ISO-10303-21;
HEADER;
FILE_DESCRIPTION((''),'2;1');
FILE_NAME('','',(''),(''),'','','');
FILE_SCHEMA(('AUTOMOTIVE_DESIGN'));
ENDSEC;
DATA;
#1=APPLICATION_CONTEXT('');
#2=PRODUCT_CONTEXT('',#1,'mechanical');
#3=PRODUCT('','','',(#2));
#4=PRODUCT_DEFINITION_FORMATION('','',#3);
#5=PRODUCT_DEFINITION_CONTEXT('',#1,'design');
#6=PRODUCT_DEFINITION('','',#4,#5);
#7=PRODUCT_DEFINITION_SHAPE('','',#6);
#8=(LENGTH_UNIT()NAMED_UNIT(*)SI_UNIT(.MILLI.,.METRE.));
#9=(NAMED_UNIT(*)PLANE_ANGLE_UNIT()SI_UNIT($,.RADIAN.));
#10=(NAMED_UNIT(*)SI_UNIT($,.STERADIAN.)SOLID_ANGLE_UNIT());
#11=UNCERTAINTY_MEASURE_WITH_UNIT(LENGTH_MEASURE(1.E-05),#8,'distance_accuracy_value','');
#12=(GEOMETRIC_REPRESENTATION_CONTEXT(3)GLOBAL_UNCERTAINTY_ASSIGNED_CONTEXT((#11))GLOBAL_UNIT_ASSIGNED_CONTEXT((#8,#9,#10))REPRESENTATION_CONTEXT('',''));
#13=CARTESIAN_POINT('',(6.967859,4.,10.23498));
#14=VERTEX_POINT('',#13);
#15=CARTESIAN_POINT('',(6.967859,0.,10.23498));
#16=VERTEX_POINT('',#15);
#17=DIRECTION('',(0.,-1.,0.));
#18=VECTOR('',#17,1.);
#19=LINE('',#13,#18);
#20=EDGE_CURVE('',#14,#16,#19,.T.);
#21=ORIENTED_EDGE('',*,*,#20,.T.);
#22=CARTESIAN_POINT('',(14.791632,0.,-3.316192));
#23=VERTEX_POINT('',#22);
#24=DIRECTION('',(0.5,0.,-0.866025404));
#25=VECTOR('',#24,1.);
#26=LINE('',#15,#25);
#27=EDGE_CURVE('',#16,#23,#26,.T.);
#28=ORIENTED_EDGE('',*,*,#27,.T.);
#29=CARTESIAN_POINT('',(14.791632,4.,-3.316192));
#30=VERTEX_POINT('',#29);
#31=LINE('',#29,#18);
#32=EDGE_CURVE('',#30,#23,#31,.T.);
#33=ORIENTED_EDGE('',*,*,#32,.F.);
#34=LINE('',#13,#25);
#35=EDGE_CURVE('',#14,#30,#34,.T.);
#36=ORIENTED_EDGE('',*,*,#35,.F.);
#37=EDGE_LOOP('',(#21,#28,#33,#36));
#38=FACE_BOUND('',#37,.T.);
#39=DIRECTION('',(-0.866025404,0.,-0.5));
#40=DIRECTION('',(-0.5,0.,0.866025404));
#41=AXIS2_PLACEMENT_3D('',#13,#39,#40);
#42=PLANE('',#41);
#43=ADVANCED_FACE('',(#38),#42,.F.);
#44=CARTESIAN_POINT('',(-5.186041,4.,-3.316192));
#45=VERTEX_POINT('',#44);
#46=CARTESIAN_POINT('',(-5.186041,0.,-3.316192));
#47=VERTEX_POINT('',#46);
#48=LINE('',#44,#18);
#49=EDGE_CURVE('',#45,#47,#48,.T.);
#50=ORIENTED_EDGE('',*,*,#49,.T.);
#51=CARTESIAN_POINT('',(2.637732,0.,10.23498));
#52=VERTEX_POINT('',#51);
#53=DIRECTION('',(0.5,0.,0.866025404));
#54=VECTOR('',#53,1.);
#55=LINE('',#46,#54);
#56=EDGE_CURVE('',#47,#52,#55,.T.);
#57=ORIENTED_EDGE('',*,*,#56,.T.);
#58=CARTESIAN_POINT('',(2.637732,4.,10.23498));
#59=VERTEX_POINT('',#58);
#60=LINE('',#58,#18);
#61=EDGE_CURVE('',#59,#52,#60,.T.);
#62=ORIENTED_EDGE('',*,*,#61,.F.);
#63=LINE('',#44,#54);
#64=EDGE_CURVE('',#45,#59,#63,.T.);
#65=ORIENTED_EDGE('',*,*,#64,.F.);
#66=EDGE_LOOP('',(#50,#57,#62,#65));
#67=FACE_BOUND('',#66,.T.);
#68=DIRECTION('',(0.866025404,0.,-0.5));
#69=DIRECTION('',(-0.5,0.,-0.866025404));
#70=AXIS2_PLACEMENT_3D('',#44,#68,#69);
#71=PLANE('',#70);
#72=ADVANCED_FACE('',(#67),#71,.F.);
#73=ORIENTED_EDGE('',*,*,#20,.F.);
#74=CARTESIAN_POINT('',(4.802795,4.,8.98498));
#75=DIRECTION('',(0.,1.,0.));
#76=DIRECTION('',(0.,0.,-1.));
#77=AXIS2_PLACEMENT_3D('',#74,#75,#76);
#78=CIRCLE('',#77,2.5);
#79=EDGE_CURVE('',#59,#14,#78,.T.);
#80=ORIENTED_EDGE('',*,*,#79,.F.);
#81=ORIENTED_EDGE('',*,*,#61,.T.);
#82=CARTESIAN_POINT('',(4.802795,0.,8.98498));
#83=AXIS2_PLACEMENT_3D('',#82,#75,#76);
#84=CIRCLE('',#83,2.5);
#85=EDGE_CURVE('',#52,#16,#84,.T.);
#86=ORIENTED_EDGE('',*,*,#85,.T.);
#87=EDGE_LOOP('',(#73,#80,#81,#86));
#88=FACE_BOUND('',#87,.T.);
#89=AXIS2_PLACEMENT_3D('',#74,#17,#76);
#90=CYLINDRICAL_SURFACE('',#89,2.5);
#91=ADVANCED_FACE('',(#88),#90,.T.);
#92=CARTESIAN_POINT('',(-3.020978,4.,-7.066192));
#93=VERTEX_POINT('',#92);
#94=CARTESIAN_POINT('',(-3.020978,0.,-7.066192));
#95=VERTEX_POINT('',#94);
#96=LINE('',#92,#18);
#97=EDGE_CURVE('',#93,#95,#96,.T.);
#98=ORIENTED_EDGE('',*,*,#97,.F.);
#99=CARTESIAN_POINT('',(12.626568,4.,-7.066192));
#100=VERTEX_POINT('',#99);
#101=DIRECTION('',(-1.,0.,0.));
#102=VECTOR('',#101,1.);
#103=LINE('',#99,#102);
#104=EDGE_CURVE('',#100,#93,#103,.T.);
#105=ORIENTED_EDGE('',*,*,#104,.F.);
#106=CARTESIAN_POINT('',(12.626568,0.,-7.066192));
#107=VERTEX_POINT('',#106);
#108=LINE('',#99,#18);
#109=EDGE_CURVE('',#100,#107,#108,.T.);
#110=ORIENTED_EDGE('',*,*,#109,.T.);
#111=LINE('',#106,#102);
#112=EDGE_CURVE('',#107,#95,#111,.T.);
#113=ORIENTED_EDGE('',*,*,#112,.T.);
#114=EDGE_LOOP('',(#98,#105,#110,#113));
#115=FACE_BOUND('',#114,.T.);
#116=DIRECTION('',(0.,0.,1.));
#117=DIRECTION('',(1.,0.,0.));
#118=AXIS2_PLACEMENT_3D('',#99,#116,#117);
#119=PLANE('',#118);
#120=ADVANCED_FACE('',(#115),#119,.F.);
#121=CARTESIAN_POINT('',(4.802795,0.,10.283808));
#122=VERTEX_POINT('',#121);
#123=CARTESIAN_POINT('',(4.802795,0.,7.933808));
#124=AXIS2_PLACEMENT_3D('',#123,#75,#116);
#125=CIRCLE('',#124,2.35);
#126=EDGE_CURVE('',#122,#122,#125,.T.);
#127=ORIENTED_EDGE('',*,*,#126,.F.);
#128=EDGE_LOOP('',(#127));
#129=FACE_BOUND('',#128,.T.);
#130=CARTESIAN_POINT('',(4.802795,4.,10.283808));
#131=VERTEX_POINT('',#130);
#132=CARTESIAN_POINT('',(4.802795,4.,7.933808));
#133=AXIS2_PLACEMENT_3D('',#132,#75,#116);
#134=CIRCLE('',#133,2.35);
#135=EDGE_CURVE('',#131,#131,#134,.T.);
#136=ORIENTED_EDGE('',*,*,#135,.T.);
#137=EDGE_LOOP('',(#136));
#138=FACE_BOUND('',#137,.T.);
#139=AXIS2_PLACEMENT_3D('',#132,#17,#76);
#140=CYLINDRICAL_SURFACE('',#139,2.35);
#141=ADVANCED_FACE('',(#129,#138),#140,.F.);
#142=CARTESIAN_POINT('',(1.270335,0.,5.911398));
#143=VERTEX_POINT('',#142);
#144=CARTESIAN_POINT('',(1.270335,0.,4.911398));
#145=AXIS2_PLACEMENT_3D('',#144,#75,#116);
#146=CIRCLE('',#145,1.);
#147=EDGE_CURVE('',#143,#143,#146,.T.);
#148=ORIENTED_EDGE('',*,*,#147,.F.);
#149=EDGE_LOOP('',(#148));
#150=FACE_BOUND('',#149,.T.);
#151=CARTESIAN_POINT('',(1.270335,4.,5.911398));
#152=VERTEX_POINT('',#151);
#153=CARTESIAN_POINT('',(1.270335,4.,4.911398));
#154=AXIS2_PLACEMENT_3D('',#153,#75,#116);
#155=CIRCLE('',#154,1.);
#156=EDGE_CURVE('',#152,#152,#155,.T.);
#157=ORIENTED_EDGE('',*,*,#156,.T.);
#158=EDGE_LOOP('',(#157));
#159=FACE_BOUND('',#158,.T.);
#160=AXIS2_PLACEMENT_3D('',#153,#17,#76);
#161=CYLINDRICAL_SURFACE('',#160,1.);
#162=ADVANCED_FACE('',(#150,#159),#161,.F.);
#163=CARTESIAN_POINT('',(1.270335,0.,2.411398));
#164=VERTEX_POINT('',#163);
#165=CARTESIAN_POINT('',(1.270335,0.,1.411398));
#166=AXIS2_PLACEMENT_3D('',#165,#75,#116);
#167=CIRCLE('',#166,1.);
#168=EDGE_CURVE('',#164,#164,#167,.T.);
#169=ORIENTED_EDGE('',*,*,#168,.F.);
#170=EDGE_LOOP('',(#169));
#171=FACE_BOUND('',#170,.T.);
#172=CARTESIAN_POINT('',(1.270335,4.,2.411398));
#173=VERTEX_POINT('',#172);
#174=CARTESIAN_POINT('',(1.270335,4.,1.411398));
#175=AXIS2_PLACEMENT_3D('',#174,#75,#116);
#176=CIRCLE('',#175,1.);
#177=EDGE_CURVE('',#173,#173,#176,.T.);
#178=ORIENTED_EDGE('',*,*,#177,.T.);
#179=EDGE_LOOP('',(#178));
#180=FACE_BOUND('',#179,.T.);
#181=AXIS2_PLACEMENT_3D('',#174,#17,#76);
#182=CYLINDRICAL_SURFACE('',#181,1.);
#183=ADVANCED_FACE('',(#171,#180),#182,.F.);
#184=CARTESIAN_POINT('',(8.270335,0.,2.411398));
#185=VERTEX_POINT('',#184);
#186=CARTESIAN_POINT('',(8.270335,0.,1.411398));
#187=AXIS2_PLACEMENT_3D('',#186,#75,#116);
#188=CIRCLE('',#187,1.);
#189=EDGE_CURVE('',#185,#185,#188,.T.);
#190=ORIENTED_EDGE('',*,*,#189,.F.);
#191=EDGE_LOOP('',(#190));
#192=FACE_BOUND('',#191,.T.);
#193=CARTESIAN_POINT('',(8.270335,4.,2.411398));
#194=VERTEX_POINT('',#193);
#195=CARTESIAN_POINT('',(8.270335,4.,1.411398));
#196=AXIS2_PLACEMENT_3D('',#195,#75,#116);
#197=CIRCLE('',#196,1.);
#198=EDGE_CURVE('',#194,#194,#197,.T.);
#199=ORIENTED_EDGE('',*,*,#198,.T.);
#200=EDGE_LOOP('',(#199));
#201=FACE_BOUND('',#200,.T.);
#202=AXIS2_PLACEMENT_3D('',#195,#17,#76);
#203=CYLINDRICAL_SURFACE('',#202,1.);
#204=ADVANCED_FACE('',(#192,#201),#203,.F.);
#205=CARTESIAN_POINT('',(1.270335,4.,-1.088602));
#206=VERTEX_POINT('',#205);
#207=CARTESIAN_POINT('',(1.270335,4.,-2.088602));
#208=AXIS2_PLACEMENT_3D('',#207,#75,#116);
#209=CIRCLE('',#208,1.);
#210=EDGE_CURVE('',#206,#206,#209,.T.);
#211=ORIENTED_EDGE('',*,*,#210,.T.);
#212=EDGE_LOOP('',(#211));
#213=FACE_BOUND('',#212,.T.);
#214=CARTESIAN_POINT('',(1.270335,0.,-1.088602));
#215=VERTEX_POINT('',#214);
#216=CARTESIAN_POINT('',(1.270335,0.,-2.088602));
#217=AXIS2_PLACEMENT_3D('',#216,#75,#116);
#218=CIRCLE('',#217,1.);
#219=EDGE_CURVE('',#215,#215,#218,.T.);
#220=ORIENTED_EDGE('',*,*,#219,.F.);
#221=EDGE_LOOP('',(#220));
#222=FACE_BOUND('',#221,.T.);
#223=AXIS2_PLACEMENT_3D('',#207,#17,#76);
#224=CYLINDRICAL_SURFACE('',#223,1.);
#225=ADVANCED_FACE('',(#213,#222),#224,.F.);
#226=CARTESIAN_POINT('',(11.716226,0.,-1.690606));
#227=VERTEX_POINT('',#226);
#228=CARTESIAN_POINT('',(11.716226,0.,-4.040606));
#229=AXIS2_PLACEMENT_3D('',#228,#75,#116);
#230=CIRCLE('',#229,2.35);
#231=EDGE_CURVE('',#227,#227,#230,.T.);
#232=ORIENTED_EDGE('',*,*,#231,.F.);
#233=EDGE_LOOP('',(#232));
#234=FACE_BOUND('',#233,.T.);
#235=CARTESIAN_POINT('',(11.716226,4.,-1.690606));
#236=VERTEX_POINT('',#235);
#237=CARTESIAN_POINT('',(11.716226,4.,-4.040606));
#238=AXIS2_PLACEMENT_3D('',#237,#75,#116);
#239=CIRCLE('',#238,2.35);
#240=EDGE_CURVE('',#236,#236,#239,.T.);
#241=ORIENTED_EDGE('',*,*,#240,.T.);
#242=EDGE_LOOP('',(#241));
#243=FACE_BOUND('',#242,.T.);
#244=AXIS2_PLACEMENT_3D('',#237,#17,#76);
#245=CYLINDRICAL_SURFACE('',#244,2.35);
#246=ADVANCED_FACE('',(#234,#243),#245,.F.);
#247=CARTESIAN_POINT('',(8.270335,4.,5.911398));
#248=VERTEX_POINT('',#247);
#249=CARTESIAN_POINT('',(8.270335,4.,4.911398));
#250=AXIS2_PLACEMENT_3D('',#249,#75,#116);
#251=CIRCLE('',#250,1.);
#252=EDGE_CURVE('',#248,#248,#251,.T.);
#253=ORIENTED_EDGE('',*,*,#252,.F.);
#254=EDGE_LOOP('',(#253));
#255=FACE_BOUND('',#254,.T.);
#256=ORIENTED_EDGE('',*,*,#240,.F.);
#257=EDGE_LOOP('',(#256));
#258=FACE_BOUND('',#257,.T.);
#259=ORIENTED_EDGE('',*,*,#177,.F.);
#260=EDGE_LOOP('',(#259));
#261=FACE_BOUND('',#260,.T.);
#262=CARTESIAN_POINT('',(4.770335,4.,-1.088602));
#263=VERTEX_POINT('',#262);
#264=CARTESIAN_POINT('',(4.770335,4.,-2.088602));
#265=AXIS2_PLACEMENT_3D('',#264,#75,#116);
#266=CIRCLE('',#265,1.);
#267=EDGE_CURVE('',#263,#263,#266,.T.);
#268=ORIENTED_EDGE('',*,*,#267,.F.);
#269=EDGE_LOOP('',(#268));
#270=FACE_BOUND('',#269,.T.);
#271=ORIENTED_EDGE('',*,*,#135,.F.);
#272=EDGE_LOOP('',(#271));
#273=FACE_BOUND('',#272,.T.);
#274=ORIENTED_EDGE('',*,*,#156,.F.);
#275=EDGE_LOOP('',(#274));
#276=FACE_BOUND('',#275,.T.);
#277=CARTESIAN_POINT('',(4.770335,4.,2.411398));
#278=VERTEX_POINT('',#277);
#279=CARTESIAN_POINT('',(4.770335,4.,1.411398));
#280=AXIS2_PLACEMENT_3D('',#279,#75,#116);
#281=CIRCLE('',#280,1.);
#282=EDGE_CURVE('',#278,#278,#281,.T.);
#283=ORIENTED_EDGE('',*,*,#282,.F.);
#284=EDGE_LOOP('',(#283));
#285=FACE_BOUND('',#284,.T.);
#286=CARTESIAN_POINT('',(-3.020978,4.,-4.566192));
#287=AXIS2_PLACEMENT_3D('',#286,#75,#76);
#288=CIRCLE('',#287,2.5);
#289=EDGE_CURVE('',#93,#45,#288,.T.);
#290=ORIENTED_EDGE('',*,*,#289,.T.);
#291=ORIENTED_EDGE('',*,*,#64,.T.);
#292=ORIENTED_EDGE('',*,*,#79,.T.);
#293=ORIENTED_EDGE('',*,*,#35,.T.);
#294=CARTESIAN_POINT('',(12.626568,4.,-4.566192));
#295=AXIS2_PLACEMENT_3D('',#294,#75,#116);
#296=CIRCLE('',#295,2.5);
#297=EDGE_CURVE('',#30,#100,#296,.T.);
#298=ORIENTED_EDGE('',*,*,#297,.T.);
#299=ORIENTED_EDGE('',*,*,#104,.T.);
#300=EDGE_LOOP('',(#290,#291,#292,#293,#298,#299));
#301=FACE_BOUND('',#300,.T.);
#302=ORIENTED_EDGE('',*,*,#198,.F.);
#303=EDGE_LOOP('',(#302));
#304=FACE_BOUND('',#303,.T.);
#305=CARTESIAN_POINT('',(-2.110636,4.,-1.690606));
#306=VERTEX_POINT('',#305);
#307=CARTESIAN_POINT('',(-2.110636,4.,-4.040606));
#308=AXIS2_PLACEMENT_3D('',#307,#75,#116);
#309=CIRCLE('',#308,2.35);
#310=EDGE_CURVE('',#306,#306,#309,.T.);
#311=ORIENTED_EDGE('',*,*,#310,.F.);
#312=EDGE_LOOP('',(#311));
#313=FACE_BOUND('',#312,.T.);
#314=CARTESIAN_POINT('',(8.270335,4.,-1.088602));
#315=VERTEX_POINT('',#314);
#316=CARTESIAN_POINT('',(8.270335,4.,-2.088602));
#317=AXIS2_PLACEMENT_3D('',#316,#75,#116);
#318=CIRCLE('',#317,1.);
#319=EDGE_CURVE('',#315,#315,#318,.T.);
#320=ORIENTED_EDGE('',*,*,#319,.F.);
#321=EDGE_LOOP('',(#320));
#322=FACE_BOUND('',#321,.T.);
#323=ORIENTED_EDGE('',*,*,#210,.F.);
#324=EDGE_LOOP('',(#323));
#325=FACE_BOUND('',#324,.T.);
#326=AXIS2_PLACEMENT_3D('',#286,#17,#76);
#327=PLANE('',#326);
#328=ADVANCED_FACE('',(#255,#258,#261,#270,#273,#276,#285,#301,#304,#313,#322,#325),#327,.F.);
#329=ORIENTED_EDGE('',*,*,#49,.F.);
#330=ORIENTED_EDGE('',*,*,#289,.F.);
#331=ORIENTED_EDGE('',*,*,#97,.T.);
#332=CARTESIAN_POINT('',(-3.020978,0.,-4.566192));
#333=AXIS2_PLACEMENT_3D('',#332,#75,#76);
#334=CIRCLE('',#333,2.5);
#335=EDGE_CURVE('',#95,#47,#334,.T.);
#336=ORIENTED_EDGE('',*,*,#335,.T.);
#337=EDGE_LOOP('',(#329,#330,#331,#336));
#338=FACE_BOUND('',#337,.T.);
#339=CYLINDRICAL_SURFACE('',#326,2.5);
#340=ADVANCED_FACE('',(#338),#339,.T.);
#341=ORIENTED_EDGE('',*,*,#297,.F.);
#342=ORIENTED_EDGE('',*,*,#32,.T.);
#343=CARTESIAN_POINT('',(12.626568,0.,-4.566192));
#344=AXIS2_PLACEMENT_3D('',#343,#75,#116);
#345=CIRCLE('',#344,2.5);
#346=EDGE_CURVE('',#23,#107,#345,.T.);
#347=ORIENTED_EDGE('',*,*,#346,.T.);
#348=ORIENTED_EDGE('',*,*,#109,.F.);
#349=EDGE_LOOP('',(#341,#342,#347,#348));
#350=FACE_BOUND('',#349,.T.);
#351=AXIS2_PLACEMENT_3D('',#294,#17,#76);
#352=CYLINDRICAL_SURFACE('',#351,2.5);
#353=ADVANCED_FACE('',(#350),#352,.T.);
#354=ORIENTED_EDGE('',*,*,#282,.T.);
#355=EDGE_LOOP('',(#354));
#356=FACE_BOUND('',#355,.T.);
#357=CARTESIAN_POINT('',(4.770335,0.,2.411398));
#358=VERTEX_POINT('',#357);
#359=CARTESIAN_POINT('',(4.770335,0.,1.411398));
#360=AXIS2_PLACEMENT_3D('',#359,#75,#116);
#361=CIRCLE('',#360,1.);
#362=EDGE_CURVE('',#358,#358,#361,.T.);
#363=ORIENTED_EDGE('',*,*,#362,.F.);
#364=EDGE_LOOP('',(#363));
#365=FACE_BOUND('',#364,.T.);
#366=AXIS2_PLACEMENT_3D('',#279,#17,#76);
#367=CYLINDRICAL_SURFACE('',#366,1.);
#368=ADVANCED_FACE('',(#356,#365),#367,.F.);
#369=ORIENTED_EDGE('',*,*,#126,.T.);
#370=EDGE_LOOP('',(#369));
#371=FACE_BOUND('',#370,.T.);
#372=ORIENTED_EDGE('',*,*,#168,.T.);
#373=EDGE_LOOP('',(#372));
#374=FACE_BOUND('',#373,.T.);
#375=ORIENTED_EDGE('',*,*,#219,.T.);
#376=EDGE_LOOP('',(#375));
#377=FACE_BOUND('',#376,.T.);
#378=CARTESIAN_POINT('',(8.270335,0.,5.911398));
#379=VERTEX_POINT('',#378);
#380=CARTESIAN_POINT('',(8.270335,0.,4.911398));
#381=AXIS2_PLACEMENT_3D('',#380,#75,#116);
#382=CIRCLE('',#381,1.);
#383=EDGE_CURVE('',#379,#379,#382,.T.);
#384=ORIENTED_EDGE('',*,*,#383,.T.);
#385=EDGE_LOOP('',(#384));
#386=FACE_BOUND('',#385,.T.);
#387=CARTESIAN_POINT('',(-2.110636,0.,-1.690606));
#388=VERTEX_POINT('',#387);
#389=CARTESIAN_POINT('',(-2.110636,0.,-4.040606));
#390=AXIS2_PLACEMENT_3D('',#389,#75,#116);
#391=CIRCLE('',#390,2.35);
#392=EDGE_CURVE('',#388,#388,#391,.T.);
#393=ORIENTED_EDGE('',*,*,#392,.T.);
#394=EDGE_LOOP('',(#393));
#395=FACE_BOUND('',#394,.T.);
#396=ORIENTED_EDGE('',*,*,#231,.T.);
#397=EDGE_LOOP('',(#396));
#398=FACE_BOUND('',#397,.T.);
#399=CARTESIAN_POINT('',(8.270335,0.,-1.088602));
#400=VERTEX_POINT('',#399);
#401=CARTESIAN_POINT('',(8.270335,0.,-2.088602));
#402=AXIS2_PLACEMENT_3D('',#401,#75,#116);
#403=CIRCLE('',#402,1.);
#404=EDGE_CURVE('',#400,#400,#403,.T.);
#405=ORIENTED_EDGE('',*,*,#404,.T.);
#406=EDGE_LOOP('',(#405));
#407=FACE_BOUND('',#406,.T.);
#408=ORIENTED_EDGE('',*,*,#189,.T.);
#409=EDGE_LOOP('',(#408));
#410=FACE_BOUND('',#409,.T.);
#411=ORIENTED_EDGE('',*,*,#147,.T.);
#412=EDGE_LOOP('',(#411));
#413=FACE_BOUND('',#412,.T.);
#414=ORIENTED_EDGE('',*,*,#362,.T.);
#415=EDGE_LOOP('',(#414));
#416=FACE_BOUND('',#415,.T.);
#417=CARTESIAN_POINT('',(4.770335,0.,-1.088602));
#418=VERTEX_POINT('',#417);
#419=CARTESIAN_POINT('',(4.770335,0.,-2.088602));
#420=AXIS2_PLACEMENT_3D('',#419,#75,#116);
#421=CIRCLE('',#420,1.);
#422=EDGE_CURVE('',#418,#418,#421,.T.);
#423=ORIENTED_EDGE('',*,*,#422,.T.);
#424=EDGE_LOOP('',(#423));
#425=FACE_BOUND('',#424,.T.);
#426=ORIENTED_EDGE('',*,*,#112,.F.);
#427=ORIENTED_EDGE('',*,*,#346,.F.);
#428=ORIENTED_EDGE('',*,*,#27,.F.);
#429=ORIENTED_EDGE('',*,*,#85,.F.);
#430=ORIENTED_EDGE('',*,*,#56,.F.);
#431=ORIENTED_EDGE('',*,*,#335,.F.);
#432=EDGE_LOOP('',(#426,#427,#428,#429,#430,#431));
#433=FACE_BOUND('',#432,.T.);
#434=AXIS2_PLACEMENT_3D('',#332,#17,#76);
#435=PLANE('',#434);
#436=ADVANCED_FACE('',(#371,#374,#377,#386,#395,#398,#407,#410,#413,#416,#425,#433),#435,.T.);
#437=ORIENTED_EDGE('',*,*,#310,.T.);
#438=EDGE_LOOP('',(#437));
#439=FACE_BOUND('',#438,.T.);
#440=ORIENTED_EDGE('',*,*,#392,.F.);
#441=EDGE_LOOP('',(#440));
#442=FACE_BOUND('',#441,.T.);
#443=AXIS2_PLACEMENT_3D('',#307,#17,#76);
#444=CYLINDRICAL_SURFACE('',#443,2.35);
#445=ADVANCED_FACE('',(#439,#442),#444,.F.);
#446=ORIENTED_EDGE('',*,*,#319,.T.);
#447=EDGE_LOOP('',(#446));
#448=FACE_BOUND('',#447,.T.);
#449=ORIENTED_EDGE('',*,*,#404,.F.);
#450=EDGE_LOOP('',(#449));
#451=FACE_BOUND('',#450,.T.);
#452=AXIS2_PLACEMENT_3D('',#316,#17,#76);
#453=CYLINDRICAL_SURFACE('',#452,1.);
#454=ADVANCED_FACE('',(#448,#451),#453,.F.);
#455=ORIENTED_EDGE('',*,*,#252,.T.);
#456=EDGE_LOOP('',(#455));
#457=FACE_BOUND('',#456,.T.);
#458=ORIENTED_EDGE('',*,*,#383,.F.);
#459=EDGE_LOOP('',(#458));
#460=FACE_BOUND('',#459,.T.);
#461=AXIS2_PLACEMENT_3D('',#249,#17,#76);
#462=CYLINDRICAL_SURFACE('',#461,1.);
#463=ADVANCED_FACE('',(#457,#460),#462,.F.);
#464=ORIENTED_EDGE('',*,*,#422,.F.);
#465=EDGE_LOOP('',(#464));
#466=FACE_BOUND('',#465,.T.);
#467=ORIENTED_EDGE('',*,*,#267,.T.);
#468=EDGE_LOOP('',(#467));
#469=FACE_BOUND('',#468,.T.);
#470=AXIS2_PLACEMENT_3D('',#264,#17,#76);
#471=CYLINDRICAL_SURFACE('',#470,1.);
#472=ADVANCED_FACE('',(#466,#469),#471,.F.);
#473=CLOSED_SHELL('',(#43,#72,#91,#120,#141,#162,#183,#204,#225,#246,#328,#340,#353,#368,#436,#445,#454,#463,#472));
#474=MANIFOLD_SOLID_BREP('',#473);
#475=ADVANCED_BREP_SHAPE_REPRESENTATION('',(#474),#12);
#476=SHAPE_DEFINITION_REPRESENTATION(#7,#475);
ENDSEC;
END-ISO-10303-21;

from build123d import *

# Parameters (mm, degrees)
SKETCH1_R      = 2.35
SKETCH1_R_2    = 1
EXTRUDE1_DEPTH = 4


with BuildPart() as part:
    # Sketch1 → Extrude1 (new body)
    with BuildSketch(Plane(origin=(0, 0, 0), x_dir=(1, 0, 0), z_dir=(0, 1, 0))):
        with BuildLine():
            Line((-5.186041147, 3.316192399), (2.637731834, -10.234979911))
            ThreePointArc((2.637731834, -10.234979911), (4.802795343, -11.484979911), (6.967858853, -10.234979911))
            Line((6.967858853, -10.234979911), (14.791631834, 3.316192399))
            ThreePointArc((14.791631834, 3.316192399), (14.791631834, 5.816192399), (12.626568324, 7.066192399))
            Line((12.626568324, 7.066192399), (-3.020977638, 7.066192399))
            ThreePointArc((-3.020977638, 7.066192399), (-5.186041147, 5.816192399), (-5.186041147, 3.316192399))
        make_face()
        with Locations((-2.110635714, 4.040606244)):
            Circle(SKETCH1_R, mode=Mode.SUBTRACT)
        with Locations((4.802795343, -7.933807601)):
            Circle(SKETCH1_R, mode=Mode.SUBTRACT)
        with Locations((11.7162264, 4.040606244)):
            Circle(SKETCH1_R, mode=Mode.SUBTRACT)
        with Locations((1.270334632, 2.088602105)):
            Circle(SKETCH1_R_2, mode=Mode.SUBTRACT)
        with Locations((4.770334632, 2.088602105)):
            Circle(SKETCH1_R_2, mode=Mode.SUBTRACT)
        with Locations((8.270334632, 2.088602105)):
            Circle(SKETCH1_R_2, mode=Mode.SUBTRACT)
        with Locations((1.270334632, -1.411397895)):
            Circle(SKETCH1_R_2, mode=Mode.SUBTRACT)
        with Locations((4.770334632, -1.411397895)):
            Circle(SKETCH1_R_2, mode=Mode.SUBTRACT)
        with Locations((8.270334632, -1.411397895)):
            Circle(SKETCH1_R_2, mode=Mode.SUBTRACT)
        with Locations((1.270334632, -4.911397895)):
            Circle(SKETCH1_R_2, mode=Mode.SUBTRACT)
        with Locations((8.270334632, -4.911397895)):
            Circle(SKETCH1_R_2, mode=Mode.SUBTRACT)
    extrude(amount=EXTRUDE1_DEPTH)


solid = part.part
